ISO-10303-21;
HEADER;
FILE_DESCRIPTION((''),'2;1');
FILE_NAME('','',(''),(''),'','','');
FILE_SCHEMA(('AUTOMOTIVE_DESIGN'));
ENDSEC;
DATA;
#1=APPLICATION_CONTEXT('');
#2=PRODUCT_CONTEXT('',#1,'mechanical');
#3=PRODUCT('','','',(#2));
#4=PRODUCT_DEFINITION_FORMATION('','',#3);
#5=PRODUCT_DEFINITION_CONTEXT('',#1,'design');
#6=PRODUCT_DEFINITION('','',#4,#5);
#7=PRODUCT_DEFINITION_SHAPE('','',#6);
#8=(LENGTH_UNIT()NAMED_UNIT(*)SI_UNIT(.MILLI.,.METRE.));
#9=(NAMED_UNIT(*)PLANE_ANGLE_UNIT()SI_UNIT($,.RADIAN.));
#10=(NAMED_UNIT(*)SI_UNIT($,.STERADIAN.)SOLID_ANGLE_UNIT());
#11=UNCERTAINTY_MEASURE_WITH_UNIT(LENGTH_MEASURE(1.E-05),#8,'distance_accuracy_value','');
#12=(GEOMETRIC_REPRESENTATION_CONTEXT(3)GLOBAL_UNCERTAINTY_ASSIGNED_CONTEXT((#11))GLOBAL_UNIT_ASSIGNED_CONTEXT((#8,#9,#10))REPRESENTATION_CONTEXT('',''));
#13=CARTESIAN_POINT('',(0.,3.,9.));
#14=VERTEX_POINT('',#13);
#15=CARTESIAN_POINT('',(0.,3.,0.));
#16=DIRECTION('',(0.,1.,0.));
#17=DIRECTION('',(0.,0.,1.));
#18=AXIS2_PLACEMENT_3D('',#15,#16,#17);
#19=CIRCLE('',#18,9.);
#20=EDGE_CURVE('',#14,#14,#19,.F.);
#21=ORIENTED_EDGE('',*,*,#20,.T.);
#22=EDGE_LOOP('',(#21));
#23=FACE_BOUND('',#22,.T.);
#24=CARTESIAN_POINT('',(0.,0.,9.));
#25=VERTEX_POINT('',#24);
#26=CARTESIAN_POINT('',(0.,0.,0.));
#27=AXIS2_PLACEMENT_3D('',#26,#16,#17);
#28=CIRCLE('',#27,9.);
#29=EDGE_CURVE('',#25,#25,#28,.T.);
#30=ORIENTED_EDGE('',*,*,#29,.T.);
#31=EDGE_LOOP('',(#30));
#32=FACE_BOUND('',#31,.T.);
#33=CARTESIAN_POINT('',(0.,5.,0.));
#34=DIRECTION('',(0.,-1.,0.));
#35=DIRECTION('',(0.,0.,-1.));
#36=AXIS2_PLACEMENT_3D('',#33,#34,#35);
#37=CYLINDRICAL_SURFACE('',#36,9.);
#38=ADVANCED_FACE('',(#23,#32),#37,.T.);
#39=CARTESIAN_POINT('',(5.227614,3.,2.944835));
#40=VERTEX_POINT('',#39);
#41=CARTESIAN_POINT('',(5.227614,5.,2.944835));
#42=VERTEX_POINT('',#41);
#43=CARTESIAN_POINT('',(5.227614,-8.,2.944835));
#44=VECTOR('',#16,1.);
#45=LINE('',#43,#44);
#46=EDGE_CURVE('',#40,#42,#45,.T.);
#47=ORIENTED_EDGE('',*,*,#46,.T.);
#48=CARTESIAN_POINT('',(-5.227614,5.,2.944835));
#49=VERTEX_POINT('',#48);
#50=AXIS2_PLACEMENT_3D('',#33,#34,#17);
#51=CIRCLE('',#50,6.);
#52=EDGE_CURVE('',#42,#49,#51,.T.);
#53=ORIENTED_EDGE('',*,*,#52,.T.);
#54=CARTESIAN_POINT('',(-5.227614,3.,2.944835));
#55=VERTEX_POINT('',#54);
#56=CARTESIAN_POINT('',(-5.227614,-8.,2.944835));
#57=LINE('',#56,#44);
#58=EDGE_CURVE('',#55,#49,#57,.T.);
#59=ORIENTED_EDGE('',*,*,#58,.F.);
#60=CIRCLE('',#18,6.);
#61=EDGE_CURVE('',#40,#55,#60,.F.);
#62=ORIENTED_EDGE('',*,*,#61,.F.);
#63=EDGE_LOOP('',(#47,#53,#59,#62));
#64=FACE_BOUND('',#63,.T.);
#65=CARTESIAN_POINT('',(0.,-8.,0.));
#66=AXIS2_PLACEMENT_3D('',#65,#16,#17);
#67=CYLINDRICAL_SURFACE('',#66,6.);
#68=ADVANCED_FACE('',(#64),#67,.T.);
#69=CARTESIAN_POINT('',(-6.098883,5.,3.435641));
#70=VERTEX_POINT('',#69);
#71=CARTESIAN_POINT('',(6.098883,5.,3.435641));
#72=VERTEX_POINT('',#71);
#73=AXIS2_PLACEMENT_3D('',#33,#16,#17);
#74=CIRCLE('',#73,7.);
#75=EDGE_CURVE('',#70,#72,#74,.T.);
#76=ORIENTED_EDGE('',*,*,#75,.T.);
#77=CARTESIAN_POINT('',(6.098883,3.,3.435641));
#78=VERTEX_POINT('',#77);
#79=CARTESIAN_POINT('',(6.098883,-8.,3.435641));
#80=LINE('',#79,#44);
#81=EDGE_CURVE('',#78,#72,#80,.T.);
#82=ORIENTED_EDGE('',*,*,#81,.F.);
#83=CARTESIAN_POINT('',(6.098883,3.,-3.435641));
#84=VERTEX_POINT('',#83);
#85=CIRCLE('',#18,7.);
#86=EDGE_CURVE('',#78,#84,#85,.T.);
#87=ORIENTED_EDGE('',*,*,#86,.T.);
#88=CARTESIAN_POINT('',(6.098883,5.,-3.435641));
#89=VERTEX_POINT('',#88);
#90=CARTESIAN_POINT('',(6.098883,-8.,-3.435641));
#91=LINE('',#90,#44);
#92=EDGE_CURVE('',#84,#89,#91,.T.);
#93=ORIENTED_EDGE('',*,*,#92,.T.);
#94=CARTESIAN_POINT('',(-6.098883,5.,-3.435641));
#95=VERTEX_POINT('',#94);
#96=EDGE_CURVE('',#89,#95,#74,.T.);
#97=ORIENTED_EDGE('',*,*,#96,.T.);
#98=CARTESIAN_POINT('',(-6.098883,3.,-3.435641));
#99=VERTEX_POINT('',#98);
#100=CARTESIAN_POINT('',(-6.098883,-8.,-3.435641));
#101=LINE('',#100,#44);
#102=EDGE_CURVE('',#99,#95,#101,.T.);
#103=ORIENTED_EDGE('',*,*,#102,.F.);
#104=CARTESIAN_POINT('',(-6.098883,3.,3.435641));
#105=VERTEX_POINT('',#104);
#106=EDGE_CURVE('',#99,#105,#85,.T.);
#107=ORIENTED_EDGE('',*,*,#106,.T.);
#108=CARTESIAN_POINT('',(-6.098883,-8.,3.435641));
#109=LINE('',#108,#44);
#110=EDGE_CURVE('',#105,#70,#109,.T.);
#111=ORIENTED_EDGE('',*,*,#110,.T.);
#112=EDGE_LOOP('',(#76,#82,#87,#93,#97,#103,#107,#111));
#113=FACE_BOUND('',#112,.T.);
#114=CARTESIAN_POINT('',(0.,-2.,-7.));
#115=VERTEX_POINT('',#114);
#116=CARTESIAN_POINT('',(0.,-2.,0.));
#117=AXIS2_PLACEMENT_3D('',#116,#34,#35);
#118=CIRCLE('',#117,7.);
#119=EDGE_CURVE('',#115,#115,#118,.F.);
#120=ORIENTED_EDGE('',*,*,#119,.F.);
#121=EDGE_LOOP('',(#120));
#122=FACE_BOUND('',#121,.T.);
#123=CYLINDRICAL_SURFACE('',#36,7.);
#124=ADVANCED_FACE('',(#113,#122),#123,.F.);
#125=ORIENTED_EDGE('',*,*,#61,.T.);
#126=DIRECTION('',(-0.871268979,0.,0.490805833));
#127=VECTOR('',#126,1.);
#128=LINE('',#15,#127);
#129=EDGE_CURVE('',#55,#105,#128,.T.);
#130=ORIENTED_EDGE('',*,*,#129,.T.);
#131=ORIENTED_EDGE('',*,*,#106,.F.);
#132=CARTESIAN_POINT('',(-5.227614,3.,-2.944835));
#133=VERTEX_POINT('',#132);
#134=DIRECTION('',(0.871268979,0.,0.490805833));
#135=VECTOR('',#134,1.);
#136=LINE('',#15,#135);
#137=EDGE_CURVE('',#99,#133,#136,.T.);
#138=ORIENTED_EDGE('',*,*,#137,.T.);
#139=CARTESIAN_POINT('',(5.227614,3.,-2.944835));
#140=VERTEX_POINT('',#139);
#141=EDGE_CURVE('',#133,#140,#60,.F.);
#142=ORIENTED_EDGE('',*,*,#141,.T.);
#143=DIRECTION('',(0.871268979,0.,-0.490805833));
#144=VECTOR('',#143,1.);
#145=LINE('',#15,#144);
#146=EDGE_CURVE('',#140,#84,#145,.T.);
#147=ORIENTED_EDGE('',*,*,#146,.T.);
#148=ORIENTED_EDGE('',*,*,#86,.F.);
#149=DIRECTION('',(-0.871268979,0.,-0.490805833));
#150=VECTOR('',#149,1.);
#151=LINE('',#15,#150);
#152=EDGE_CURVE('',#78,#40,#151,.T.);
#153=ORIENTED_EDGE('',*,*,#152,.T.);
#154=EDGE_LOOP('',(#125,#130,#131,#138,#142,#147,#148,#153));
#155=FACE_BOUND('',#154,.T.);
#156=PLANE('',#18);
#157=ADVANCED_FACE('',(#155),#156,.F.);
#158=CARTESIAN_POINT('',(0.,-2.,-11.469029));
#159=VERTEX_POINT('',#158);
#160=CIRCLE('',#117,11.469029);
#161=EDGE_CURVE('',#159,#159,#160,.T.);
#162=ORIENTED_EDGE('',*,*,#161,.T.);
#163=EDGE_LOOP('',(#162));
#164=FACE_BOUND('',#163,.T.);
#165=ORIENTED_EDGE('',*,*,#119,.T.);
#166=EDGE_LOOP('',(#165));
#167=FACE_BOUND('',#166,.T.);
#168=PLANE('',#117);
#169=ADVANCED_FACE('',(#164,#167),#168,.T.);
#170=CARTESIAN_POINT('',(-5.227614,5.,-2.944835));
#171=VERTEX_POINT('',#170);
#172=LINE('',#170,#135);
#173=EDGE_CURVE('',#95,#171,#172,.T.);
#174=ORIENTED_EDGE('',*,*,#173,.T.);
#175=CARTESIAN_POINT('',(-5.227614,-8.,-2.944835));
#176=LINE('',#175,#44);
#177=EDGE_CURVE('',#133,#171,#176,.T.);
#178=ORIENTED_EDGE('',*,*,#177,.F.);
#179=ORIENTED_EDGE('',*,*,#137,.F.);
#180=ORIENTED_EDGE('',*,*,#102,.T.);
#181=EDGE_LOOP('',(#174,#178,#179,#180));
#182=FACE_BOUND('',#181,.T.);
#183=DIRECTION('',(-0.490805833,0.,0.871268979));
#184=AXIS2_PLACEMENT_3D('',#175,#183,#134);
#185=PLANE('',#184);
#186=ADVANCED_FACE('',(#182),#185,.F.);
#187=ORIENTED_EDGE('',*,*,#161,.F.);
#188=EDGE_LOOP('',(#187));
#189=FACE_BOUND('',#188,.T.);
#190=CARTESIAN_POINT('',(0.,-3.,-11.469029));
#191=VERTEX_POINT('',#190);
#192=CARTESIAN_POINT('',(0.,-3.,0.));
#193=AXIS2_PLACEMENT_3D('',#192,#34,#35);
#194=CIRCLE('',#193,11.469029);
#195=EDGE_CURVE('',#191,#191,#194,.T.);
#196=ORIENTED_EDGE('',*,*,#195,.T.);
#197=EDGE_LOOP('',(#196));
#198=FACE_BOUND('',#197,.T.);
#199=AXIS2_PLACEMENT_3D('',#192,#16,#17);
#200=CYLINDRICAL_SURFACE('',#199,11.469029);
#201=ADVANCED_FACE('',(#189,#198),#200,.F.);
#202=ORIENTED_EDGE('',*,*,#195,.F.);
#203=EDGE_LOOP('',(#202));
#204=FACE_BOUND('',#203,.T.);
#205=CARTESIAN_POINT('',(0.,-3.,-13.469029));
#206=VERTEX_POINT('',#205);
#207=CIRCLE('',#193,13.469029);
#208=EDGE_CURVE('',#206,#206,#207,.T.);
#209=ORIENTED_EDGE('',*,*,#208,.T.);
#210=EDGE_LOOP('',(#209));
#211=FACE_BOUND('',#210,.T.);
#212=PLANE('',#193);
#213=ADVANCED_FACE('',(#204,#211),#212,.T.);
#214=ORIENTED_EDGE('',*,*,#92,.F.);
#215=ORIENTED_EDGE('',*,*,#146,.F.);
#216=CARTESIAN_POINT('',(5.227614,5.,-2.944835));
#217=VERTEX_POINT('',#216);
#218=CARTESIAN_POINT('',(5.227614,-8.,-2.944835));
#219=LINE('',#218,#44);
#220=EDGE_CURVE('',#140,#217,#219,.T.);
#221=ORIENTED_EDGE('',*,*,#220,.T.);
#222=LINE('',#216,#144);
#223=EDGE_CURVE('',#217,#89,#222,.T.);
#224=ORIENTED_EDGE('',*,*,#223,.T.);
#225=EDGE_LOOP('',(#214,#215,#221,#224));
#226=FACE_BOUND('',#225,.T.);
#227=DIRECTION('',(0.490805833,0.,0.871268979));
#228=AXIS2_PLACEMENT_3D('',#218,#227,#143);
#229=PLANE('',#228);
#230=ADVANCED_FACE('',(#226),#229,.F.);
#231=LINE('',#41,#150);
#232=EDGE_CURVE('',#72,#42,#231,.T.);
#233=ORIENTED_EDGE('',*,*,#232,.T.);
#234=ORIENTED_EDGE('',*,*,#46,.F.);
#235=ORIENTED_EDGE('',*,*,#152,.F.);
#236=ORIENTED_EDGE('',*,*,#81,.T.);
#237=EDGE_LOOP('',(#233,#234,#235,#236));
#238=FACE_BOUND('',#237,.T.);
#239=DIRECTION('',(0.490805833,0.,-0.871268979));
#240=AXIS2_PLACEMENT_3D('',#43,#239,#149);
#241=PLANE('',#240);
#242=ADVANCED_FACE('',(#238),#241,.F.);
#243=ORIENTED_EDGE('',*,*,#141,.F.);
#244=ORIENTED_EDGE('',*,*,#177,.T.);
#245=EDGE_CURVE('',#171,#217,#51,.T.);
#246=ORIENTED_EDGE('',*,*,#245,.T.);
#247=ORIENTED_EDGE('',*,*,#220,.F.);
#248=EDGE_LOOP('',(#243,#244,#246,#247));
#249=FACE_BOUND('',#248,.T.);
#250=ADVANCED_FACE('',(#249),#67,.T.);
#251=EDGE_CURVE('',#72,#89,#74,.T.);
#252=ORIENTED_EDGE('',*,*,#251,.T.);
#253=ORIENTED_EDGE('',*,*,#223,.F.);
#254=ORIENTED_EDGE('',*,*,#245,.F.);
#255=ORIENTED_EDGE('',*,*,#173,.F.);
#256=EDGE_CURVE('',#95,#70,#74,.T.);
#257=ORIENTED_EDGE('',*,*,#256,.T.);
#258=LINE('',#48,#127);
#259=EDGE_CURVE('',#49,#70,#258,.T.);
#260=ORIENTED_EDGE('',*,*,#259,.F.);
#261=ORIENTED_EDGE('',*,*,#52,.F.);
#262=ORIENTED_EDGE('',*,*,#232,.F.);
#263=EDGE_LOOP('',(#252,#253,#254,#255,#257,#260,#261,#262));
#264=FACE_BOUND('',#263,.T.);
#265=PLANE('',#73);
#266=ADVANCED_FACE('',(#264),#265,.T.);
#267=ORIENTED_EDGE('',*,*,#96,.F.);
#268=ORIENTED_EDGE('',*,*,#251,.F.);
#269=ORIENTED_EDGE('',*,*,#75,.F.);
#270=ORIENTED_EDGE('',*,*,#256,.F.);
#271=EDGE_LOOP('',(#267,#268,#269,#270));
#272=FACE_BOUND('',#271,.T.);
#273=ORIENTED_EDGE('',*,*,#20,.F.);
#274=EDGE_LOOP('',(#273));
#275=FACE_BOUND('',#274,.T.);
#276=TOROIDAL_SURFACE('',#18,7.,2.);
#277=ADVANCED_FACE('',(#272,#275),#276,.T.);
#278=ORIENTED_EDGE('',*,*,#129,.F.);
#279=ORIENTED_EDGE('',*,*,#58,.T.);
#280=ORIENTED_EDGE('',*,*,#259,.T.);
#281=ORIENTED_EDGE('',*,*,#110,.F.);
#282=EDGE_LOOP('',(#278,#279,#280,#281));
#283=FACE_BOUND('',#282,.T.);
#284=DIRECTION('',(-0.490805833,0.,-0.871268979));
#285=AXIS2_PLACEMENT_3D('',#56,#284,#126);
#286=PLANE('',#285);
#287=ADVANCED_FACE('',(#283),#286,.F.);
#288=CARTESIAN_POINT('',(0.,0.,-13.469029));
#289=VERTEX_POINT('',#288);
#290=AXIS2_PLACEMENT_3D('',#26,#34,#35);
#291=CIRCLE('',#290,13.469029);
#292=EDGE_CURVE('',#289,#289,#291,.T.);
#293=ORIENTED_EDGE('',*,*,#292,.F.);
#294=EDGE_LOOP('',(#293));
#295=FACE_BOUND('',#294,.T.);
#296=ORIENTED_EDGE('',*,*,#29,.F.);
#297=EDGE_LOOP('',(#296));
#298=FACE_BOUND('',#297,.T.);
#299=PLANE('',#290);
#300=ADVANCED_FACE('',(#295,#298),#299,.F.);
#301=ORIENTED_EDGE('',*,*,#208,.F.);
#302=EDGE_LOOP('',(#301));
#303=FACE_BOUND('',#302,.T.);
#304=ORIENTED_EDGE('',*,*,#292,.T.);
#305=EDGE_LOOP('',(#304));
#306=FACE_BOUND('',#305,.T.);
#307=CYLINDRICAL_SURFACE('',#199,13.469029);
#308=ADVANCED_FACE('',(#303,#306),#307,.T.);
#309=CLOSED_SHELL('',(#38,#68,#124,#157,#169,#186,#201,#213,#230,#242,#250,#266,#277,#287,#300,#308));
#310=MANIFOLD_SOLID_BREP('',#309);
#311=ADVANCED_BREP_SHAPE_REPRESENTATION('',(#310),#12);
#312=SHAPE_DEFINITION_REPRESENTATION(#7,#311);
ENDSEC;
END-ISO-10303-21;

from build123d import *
from build123d.topology import SkipClean

# Parameters (mm, degrees)
SKETCH1_R           = 9
BOSS_EXTRUDE1_DEPTH = 5
SKETCH2_R           = 13.469028944
BOSS_EXTRUDE2_DEPTH = 3
SHELL1_T            = -2
FILLET1_R           = 2
CUT_EXTRUDE1_START  = -13
CUT_EXTRUDE1_DEPTH  = 13


with BuildPart() as part:
    # Sketch1 → Boss-Extrude1 (new body)
    with BuildSketch(Plane(origin=(0, 0, 0), x_dir=(1, 0, 0), z_dir=(0, 1, 0))):
        with Locations(Location((0, 0, 0), (0, 0, 270))):
            Circle(SKETCH1_R)
    extrude(amount=BOSS_EXTRUDE1_DEPTH)

    # Sketch2 → Boss-Extrude2 (add)
    with BuildSketch(Plane.XZ):
        with Locations(Location((0, 0, 0), (0, 0, 270))):
            Circle(SKETCH2_R)
    extrude(amount=BOSS_EXTRUDE2_DEPTH)

    # Shell1
    shell1_openings = [part.faces().sort_by_distance(p)[0] for p in [
        (0, -3, 0),
    ]]
    offset(amount=SHELL1_T, openings=shell1_openings, kind=Kind.INTERSECTION)

    # Fillet1
    fillet1_edges = [part.edges().sort_by_distance(p)[0] for p in [
        (0, 5, -9),
    ]]
    fillet(fillet1_edges, radius=FILLET1_R)

    # Sketch3 → Cut-Extrude1 (cut)
    with SkipClean():  # the faces are left unmerged after this step: merging them gives an invalid solid
        with BuildSketch(Plane(origin=(0, 5, 0), x_dir=(1, 0, 0), z_dir=(0, 1, 0)).offset(CUT_EXTRUDE1_START)):
            with BuildLine():
                Line((5.227613876, -2.944834998), (6.098882855, -3.435640831))
                ThreePointArc((6.098882855, -3.435640831), (0, -7), (-6.098882855, -3.435640831))
                Line((-6.098882855, -3.435640831), (-5.227613876, -2.944834998))
                ThreePointArc((-5.227613876, -2.944834998), (0, -6), (5.227613876, -2.944834998))
            make_face()
            with BuildLine():
                Line((5.227613876, 2.944834998), (6.098882855, 3.435640831))
                ThreePointArc((6.098882855, 3.435640831), (0, 7), (-6.098882855, 3.435640831))
                Line((-6.098882855, 3.435640831), (-5.227613876, 2.944834998))
                ThreePointArc((-5.227613876, 2.944834998), (0, 6), (5.227613876, 2.944834998))
            make_face()
        extrude(amount=CUT_EXTRUDE1_DEPTH, mode=Mode.SUBTRACT)


solid = part.part
